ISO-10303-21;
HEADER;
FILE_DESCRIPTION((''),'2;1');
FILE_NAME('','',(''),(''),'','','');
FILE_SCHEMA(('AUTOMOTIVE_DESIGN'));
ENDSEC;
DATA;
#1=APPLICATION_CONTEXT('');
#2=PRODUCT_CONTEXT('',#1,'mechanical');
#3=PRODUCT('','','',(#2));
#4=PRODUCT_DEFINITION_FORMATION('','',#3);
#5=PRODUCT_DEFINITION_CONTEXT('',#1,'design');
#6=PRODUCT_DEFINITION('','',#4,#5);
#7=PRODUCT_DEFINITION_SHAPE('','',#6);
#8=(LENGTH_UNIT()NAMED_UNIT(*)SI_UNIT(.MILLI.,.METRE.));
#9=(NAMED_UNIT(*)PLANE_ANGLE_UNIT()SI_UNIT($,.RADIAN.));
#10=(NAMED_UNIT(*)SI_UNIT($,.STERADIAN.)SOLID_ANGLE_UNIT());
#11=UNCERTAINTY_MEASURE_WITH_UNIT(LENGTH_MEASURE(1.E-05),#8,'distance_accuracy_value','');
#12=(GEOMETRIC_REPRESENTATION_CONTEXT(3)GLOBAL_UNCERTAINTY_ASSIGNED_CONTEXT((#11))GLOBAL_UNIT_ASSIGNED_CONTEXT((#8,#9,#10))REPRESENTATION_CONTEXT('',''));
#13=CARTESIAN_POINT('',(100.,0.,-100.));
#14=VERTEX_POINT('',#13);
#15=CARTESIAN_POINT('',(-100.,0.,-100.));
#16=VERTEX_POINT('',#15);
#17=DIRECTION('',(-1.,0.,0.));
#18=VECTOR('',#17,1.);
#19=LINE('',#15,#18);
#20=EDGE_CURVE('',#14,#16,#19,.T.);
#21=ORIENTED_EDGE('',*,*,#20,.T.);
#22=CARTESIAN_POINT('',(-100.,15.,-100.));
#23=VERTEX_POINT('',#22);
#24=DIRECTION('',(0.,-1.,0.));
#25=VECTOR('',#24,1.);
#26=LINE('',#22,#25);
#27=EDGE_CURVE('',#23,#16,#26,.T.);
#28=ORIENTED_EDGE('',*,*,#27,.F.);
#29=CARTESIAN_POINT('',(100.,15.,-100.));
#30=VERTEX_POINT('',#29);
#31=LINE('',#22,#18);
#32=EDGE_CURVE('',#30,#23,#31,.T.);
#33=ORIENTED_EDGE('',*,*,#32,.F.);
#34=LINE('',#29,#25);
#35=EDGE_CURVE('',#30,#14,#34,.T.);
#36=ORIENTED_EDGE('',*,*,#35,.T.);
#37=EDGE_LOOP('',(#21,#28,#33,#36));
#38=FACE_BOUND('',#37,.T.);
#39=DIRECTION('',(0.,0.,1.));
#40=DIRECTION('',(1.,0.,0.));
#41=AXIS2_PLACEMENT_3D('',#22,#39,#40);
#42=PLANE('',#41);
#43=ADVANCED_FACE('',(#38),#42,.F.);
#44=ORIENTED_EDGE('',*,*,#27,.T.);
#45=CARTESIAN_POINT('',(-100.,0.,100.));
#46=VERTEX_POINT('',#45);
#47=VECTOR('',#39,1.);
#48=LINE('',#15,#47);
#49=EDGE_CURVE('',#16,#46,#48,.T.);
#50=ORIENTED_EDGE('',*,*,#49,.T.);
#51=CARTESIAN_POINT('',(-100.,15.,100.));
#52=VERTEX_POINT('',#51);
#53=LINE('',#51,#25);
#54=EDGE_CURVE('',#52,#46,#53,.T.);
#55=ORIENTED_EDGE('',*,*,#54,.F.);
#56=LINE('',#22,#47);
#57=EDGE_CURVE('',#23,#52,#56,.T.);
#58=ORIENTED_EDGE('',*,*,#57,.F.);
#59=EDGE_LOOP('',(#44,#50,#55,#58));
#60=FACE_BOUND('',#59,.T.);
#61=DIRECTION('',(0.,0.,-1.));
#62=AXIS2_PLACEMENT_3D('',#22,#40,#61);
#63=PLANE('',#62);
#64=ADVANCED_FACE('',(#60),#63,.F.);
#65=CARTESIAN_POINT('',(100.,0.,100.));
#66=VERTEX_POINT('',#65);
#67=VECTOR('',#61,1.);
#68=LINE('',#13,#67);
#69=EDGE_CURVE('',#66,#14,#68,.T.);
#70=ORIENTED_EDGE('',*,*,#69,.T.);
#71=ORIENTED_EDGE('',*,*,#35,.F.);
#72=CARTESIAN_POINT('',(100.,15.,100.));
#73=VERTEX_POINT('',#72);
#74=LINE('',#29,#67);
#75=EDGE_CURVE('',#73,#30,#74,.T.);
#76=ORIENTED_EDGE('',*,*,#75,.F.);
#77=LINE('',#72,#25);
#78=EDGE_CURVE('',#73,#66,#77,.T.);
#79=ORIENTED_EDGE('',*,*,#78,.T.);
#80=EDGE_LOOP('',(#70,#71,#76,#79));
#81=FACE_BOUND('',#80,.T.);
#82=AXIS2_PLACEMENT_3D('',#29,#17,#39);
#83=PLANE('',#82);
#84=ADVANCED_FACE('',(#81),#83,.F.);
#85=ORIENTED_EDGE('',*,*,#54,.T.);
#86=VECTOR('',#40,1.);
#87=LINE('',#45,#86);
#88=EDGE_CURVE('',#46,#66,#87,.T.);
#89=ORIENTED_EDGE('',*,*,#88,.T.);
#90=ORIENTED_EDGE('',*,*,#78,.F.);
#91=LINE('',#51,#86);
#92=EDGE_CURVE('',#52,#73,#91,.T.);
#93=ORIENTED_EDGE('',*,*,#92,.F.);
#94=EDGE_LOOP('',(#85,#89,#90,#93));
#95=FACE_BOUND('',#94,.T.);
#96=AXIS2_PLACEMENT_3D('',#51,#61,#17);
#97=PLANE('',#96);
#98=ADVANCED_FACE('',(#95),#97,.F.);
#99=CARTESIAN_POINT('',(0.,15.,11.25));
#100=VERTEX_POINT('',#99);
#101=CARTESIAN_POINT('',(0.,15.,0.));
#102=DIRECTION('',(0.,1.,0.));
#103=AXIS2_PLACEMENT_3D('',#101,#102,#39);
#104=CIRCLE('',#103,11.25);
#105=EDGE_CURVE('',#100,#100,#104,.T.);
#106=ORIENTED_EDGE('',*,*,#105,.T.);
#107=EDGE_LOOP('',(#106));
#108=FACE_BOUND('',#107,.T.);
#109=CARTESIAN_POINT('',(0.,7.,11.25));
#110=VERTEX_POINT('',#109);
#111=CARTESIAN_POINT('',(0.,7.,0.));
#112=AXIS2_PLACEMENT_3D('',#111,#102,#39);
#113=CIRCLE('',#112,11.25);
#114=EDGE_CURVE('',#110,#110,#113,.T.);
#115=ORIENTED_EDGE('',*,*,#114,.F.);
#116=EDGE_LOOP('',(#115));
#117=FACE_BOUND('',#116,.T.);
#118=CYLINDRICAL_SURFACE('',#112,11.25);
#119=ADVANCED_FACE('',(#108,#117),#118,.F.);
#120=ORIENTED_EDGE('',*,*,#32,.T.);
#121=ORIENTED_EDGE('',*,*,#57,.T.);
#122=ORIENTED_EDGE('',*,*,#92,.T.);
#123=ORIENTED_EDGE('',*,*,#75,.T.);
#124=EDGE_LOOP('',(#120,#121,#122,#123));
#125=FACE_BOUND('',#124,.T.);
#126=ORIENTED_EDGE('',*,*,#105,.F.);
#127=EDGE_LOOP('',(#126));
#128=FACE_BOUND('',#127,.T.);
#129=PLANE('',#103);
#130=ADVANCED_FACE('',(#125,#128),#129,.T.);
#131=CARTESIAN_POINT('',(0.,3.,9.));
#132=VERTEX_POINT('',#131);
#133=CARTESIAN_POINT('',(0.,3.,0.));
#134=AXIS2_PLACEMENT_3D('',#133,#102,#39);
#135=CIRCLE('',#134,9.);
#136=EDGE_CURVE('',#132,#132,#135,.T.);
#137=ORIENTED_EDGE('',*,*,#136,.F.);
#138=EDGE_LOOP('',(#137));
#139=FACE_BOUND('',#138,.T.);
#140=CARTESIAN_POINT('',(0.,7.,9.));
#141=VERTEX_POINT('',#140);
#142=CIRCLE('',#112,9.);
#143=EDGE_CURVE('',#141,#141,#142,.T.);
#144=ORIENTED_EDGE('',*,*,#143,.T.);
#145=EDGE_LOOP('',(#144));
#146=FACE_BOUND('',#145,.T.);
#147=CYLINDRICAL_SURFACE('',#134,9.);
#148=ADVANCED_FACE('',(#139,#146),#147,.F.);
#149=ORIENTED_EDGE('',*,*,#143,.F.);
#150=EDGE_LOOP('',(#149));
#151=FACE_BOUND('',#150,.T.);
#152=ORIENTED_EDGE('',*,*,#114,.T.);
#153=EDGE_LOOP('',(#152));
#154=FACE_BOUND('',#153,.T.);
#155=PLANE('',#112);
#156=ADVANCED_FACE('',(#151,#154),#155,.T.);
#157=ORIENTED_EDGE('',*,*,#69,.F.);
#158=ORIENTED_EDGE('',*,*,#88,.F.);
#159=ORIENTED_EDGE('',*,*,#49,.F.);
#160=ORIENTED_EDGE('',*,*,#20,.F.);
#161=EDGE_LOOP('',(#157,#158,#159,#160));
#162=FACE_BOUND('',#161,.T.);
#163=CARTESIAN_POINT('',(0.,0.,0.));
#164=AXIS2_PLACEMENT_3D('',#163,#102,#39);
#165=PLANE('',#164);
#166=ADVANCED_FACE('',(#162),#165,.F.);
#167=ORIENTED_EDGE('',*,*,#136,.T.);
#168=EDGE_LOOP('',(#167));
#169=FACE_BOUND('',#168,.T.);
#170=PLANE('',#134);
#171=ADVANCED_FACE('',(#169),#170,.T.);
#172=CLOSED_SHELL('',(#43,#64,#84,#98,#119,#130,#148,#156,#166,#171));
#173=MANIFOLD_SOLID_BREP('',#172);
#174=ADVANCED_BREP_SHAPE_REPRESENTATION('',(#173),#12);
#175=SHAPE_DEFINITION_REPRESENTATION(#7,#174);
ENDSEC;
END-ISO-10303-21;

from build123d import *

# Parameters (mm, degrees)
SKETCH2_W           = 200
SKETCH2_H           = 200
BOSS_EXTRUDE1_DEPTH = 15
SKETCH3_R           = 11.25
CUT_EXTRUDE1_DEPTH  = 8
SKETCH4_R           = 9
CUT_EXTRUDE2_DEPTH  = 4


with BuildPart() as part:
    # Sketch2 → Boss-Extrude1 (new body)
    with BuildSketch(Plane(origin=(0, 0, 0), x_dir=(1, 0, 0), z_dir=(0, 1, 0))):
        Rectangle(SKETCH2_W, SKETCH2_H)
    extrude(amount=BOSS_EXTRUDE1_DEPTH)

    # Sketch3 → Cut-Extrude1 (cut)
    with BuildSketch(Plane(origin=(0, 15, 0), x_dir=(1, 0, 0), z_dir=(0, 1, 0))):
        with Locations(Location((0, 0, 0), (0, 0, 270))):
            Circle(SKETCH3_R)
    extrude(amount=-CUT_EXTRUDE1_DEPTH, mode=Mode.SUBTRACT)

    # Sketch4 → Cut-Extrude2 (cut)
    with BuildSketch(Plane(origin=(0, 7, 0), x_dir=(1, 0, 0), z_dir=(0, 1, 0))):
        with Locations(Location((0, 0, 0), (0, 0, 270))):
            Circle(SKETCH4_R)
    extrude(amount=-CUT_EXTRUDE2_DEPTH, mode=Mode.SUBTRACT)


solid = part.part
